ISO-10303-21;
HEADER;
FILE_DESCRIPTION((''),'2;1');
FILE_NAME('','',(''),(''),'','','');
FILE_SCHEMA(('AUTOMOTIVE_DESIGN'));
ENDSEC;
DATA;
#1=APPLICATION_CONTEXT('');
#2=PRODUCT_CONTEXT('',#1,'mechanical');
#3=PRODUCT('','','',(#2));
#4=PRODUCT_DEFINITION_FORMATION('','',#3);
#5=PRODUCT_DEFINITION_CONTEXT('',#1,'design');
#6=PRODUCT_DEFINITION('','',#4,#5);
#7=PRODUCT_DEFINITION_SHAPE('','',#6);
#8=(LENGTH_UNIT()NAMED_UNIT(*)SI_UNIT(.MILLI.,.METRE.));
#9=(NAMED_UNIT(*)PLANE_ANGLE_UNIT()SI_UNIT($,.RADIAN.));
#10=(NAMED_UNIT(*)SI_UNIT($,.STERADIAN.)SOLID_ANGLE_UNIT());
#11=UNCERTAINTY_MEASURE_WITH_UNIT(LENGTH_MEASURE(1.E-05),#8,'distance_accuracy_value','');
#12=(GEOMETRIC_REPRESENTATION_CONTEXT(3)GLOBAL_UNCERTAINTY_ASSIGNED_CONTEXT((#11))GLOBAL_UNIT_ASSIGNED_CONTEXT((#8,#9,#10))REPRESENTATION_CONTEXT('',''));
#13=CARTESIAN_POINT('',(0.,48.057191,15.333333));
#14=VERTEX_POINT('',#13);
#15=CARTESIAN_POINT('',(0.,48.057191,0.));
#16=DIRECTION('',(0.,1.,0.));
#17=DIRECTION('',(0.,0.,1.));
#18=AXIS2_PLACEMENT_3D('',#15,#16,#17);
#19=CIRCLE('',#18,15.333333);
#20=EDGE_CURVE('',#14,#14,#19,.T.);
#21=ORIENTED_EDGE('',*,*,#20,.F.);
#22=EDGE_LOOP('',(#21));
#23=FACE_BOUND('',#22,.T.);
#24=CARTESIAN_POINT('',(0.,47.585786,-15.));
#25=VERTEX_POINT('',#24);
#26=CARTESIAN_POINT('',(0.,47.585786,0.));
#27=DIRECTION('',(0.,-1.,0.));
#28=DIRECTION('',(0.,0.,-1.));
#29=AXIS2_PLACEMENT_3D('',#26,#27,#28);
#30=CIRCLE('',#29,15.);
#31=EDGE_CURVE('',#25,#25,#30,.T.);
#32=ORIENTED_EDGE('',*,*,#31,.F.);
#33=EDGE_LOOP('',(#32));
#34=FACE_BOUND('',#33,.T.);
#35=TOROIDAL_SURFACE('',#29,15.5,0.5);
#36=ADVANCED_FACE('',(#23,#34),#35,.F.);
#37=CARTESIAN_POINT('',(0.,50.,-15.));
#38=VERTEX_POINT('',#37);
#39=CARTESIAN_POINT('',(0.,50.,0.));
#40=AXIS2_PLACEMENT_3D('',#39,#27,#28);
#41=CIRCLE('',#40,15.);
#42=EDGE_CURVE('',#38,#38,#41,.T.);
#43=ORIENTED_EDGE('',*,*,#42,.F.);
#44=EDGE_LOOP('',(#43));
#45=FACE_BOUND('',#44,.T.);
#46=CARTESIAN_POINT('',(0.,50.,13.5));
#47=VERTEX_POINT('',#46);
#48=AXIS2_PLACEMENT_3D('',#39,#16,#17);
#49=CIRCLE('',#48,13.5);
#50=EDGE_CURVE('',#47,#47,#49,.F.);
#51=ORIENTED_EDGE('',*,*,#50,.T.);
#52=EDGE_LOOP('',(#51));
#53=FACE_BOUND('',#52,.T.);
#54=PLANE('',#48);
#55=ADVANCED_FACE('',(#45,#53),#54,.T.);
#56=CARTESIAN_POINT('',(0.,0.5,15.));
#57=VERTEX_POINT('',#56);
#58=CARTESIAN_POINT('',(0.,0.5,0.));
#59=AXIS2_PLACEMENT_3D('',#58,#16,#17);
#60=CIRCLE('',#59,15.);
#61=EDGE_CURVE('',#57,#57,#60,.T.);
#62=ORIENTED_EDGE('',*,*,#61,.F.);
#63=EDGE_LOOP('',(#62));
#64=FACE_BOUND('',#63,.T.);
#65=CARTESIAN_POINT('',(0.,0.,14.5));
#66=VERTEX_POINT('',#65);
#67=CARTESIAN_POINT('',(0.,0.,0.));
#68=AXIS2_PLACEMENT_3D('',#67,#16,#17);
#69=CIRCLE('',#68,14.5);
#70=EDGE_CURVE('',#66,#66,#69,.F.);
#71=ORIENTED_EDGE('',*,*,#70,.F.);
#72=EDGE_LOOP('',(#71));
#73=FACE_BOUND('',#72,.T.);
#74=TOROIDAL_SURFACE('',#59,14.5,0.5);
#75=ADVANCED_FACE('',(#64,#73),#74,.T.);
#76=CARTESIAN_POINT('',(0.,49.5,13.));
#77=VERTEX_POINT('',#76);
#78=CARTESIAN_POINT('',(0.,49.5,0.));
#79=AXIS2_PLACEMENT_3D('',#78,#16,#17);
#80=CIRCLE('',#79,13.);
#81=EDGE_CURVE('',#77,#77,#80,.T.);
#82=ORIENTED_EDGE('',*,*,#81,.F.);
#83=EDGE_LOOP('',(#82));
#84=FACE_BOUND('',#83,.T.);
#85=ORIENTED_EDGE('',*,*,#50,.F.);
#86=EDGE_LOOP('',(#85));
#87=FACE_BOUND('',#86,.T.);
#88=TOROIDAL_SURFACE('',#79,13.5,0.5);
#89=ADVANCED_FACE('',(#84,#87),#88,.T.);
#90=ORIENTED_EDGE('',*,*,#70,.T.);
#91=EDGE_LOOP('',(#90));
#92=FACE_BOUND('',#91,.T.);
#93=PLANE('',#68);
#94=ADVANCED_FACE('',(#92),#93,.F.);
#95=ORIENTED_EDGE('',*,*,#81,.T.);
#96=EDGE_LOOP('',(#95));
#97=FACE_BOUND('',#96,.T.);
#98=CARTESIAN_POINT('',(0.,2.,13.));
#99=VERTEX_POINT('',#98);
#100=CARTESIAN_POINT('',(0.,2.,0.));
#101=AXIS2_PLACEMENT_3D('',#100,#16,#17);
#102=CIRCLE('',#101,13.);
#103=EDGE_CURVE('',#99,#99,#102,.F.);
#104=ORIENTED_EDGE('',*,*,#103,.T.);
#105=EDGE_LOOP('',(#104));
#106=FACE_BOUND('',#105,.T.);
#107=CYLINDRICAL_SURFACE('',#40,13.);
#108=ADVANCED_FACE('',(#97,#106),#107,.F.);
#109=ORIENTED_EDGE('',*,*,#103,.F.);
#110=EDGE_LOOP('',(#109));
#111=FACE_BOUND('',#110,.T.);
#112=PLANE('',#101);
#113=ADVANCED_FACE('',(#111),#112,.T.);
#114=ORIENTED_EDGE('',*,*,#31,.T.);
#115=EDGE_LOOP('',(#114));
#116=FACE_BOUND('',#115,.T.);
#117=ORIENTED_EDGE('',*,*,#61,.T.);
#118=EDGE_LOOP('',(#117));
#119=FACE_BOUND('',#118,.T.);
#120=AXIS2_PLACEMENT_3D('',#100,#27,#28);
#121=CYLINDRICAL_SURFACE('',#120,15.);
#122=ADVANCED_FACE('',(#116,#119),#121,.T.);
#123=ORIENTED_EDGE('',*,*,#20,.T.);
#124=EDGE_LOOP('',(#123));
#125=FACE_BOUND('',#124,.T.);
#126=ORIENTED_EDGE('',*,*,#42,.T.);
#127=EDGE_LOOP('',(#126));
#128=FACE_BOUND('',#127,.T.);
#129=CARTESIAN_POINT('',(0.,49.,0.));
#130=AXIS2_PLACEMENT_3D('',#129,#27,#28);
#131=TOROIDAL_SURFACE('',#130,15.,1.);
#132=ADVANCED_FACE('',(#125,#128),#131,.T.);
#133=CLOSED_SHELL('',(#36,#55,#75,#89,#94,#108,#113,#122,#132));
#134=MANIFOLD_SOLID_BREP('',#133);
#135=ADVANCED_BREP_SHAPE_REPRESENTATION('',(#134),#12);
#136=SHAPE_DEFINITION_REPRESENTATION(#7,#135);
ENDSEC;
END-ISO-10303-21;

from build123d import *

# Parameters (mm, degrees)
BASE_R              = 15
BOSS_EXTRUDE1_DEPTH = 2
SKETCH2_R           = 15
SKETCH2_R_2         = 13
BOSS_EXTRUDE2_DEPTH = 48
FILLET1_R           = 0.5
FILLET2_R           = 0.5
FILLET4_R           = 0.5


with BuildPart() as part:
    # Base → Boss-Extrude1 (new body)
    with BuildSketch(Plane(origin=(0, 0, 0), x_dir=(1, 0, 0), z_dir=(0, 1, 0))):
        Circle(BASE_R)
    extrude(amount=BOSS_EXTRUDE1_DEPTH)

    # Sketch2 → Boss-Extrude2 (add)
    with BuildSketch(Plane(origin=(0, 2, 0), x_dir=(1, 0, 0), z_dir=(0, 1, 0))):
        Circle(SKETCH2_R)
        Circle(SKETCH2_R_2, mode=Mode.SUBTRACT)
    extrude(amount=BOSS_EXTRUDE2_DEPTH)

    # Sketch4 → Revolve3 (revolve)
    with BuildSketch(Plane.XY):
        with BuildLine():
            Line((15, 50), (15, 48))
            ThreePointArc((15, 48), (16, 49), (15, 50))
        make_face()
    revolve(axis=Axis((0, 0, 0), (0, 1, 0)))

    # Fillet1
    fillet1_edges = [part.edges().sort_by_distance(p)[0] for p in [
        (-15, 0, 0),
    ]]
    fillet(fillet1_edges, radius=FILLET1_R)

    # Fillet2
    fillet2_edges = [part.edges().sort_by_distance(p)[0] for p in [
        (-13, 50, 0),
    ]]
    fillet(fillet2_edges, radius=FILLET2_R)

    # Fillet4
    fillet4_edges = [part.edges().sort_by_distance(p)[0] for p in [
        (-15, 48, 0),
    ]]
    fillet(fillet4_edges, radius=FILLET4_R)


solid = part.part
